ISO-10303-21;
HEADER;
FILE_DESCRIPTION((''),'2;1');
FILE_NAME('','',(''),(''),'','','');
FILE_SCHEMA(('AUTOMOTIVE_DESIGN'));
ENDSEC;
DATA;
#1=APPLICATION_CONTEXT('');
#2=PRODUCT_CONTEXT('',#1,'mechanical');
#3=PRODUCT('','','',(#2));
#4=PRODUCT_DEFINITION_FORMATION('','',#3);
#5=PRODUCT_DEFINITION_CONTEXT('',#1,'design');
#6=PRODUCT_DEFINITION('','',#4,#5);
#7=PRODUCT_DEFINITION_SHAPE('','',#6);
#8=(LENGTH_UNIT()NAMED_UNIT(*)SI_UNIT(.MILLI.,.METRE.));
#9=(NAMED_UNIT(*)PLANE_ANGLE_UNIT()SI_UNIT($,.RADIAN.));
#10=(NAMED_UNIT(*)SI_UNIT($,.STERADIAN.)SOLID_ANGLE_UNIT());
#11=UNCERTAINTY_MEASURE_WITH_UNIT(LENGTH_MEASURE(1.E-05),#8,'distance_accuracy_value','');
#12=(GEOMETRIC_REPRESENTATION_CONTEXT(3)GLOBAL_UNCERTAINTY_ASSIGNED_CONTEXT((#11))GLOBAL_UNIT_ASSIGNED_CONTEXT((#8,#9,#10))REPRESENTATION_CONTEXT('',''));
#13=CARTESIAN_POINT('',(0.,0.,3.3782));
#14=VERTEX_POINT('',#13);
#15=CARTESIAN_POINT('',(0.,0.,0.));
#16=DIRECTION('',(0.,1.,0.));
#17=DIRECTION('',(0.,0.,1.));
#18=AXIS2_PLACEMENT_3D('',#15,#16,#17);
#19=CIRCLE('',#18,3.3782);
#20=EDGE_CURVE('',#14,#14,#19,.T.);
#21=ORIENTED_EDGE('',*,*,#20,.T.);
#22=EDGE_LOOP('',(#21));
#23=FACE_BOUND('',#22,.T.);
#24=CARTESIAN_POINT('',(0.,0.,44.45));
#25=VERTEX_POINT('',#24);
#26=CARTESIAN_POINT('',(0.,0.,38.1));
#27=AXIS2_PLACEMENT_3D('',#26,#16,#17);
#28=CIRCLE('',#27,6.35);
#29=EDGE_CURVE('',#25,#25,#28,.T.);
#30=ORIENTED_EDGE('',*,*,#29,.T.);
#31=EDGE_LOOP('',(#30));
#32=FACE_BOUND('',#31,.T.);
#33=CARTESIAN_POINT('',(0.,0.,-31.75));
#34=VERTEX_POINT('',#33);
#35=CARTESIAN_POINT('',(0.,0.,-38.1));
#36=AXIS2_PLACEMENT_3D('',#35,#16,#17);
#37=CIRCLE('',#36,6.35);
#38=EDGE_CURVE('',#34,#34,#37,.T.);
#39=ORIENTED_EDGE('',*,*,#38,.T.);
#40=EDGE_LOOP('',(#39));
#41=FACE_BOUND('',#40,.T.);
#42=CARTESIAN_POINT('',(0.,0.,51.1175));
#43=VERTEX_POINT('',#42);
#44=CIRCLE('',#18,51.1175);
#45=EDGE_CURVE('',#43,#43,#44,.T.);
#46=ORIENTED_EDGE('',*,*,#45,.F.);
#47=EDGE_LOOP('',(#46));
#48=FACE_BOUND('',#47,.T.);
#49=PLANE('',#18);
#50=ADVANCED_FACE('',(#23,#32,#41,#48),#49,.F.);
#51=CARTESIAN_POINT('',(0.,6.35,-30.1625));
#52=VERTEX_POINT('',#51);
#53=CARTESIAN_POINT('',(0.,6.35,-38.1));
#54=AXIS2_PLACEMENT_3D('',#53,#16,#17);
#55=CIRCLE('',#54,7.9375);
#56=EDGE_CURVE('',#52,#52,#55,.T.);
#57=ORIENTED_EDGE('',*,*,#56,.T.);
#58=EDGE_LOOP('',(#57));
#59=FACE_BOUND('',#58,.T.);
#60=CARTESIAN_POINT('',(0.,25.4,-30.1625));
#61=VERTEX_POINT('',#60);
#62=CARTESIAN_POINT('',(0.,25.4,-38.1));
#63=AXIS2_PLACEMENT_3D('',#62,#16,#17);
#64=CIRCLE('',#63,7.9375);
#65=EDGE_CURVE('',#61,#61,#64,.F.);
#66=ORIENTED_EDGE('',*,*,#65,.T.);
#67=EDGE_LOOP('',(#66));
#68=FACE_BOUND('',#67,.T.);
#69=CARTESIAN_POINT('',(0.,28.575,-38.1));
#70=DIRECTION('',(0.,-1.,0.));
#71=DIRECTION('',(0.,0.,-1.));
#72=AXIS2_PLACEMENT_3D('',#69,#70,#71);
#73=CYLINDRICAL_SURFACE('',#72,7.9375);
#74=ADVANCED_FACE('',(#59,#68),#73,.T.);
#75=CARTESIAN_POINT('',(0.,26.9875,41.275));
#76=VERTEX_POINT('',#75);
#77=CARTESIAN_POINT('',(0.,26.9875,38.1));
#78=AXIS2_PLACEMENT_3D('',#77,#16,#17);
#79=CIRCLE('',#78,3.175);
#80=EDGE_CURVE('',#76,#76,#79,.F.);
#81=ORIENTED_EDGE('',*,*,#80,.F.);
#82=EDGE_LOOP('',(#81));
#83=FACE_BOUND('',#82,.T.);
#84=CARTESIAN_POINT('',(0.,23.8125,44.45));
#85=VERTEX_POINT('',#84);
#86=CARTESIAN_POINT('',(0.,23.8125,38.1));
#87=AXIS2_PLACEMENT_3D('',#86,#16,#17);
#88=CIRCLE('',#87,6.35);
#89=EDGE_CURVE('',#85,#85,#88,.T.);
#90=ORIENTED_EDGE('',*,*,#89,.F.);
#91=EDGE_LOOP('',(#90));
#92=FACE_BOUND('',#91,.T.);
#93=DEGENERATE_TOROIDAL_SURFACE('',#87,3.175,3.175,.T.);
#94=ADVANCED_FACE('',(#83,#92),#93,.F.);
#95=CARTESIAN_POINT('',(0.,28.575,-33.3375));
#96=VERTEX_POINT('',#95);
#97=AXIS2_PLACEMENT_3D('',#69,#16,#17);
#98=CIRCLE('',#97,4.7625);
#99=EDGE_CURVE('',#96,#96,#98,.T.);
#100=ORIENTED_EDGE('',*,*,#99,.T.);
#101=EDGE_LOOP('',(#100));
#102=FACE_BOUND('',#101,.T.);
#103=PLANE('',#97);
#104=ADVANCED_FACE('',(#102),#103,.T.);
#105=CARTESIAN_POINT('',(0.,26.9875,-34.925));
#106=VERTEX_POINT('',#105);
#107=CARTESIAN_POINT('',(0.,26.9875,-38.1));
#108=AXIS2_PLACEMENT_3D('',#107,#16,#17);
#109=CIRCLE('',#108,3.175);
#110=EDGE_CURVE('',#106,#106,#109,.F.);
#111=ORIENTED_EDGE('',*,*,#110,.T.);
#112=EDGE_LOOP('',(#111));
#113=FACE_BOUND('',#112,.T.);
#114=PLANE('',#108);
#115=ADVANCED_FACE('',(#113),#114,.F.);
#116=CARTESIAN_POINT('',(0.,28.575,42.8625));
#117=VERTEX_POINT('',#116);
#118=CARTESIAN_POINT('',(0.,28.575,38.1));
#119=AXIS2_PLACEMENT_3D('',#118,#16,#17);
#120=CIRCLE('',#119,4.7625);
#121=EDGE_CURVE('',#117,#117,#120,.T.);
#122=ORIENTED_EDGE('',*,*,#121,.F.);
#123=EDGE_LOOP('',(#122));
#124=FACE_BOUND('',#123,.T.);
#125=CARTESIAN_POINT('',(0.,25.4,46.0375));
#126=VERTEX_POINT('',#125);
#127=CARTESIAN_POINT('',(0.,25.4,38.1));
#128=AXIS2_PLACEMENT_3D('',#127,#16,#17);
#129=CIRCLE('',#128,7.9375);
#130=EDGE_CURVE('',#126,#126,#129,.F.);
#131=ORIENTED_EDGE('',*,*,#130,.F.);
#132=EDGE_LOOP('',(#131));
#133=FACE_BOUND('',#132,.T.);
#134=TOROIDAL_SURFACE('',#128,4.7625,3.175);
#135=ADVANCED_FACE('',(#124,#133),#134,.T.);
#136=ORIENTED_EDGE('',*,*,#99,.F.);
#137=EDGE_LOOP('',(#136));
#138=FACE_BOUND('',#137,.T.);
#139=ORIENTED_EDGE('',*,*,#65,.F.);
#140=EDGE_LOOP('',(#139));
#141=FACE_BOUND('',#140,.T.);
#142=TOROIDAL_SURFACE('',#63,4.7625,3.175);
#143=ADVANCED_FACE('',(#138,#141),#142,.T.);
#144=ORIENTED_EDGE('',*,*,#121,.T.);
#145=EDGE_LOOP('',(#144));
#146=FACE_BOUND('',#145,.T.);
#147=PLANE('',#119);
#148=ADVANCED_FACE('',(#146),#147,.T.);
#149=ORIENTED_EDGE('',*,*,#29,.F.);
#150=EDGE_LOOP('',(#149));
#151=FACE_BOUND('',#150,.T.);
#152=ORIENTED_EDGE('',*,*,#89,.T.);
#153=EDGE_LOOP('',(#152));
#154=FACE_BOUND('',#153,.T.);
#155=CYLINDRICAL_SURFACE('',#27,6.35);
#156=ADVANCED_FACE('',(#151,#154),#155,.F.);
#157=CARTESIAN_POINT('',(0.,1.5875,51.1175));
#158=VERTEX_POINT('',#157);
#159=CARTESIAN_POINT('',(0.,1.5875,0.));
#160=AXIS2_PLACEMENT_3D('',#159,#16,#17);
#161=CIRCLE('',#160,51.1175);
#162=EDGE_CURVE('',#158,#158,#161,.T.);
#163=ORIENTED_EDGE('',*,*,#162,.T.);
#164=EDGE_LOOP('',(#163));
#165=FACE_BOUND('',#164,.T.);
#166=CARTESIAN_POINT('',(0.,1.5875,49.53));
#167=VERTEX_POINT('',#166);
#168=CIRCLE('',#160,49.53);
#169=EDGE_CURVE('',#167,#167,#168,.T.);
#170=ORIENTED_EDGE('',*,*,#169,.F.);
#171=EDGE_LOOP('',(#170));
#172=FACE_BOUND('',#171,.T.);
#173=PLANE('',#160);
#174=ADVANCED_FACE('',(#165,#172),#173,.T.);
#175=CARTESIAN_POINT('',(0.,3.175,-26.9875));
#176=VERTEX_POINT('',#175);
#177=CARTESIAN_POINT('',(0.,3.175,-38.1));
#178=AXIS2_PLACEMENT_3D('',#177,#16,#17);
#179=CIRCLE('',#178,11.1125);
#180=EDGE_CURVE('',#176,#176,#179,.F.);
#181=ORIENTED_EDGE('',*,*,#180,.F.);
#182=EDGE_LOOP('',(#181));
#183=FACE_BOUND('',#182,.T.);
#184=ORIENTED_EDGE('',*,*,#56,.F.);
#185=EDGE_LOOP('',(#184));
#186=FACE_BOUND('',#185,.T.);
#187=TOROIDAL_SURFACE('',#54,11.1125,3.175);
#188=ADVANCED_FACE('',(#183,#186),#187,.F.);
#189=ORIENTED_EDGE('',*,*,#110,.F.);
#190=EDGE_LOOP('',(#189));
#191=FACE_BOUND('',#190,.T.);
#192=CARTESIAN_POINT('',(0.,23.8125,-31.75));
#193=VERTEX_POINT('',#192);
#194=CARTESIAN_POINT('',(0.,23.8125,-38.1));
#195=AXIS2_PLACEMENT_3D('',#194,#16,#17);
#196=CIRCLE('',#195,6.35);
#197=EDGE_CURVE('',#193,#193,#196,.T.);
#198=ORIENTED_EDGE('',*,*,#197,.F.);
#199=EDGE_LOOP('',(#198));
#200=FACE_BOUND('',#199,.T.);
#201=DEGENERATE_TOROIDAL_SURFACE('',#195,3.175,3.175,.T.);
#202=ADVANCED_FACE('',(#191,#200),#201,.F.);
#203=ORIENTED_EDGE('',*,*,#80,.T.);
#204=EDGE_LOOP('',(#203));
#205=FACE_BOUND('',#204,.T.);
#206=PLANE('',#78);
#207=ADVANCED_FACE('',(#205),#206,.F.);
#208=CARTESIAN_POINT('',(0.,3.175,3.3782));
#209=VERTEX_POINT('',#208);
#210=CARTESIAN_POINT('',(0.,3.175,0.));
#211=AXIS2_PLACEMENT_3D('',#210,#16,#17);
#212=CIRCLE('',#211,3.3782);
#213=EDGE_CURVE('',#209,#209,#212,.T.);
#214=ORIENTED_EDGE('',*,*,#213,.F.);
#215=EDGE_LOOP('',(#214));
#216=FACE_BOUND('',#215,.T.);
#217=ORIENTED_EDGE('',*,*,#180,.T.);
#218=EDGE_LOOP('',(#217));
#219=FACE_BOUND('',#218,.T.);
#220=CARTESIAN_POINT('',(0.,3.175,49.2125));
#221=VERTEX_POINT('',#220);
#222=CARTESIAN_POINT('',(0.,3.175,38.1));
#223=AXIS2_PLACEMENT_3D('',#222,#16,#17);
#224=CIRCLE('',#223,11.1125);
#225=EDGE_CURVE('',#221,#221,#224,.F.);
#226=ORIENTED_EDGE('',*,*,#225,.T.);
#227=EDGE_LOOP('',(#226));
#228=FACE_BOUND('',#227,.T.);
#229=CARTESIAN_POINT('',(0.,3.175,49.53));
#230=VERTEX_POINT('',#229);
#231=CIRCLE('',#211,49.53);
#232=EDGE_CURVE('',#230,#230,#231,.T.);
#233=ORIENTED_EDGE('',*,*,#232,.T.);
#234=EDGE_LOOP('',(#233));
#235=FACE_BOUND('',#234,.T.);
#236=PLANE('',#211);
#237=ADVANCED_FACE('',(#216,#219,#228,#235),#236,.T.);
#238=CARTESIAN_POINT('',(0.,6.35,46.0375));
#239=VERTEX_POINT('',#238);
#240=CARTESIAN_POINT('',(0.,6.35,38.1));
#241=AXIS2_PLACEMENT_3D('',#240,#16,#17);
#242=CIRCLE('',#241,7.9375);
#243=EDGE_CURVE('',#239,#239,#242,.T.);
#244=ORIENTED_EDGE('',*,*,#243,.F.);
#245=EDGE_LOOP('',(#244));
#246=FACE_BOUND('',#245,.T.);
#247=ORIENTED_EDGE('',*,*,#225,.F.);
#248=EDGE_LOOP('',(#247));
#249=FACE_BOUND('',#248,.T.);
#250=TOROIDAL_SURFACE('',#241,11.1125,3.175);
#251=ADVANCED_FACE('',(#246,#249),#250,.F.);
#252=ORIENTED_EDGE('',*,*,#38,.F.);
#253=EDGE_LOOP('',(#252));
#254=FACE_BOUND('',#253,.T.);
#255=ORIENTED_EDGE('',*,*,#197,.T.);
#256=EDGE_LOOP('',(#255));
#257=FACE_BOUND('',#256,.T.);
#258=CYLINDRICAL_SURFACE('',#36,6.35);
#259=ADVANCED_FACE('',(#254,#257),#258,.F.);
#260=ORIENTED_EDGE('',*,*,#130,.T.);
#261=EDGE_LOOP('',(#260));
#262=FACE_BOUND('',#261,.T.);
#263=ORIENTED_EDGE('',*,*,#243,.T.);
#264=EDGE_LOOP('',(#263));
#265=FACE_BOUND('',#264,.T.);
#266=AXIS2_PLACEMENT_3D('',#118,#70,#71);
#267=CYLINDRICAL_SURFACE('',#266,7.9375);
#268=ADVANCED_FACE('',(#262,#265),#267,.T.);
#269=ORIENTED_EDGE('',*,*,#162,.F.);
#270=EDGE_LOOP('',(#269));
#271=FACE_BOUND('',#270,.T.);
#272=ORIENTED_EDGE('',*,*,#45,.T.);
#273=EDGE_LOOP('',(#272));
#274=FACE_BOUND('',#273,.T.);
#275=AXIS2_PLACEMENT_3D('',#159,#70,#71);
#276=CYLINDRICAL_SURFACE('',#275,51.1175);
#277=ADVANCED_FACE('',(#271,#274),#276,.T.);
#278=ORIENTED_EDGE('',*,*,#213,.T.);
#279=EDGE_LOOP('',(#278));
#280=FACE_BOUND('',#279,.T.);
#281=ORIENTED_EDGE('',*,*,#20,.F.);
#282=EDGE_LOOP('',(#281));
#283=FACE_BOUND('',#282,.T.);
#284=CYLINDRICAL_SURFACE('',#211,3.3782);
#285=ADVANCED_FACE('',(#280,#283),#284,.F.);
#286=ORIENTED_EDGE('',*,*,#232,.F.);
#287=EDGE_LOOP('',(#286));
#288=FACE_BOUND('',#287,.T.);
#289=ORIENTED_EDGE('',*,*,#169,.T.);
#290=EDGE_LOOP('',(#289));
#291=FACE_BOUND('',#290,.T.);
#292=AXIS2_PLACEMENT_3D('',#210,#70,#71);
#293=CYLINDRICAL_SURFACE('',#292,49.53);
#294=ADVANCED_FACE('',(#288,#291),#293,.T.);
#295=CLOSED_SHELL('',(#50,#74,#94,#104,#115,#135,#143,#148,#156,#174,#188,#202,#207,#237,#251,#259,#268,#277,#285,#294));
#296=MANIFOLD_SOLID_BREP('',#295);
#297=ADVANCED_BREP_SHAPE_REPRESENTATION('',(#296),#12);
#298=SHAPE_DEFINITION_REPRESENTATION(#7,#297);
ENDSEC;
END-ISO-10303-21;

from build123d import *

# Parameters (mm, degrees)
SKETCH1_R                   = 51.1175
BOSS_EXTRUDE1_DEPTH         = 1.5875
SKETCH2_R                   = 49.53
BOSS_EXTRUDE2_DEPTH         = 1.5875
F_1_4_CLEARANCE_HOLE1_D     = 6.7564
F_1_4_CLEARANCE_HOLE1_DEPTH = 25.4
F_1_4_CLEARANCE_HOLE1_TIP   = 2.029827343
SKETCH8_R                   = 7.9375
BOSS_EXTRUDE4_DEPTH         = 25.4
CUT_EXTRUDE2_START          = -1.5875
SKETCH11_R                  = 6.35
CUT_EXTRUDE2_DEPTH          = 77.146200784
FILLET1_R                   = 3.175


with BuildPart() as part:
    # Sketch1 → Boss-Extrude1 (new body)
    with BuildSketch(Plane(origin=(0, 0, 0), x_dir=(1, 0, 0), z_dir=(0, 1, 0))):
        with Locations(Location((0, 0, 0), (0, 0, 270))):
            Circle(SKETCH1_R)
    extrude(amount=BOSS_EXTRUDE1_DEPTH)

    # Sketch2 → Boss-Extrude2 (add)
    with BuildSketch(Plane(origin=(0, 1.5875, 0), x_dir=(1, 0, 0), z_dir=(0, 1, 0))):
        with Locations(Location((0, 0, 0), (0, 0, 270))):
            Circle(SKETCH2_R)
    extrude(amount=BOSS_EXTRUDE2_DEPTH)

    # 1/4 Clearance Hole1
    with Locations(Plane(origin=(0, 3.175, 0), x_dir=(1, 0, 0), z_dir=(0, 1, 0))):
        with Locations((0, 0)):
            Hole(F_1_4_CLEARANCE_HOLE1_D / 2, depth=F_1_4_CLEARANCE_HOLE1_DEPTH)
            with Locations((0, 0, -(F_1_4_CLEARANCE_HOLE1_DEPTH + F_1_4_CLEARANCE_HOLE1_TIP / 2))):  # 118° drill point
                Cone(0, F_1_4_CLEARANCE_HOLE1_D / 2, F_1_4_CLEARANCE_HOLE1_TIP, mode=Mode.SUBTRACT)

    # Sketch8 → Boss-Extrude4 (add)
    with BuildSketch(Plane(origin=(0, 3.175, 0), x_dir=(1, 0, 0), z_dir=(0, 1, 0))):
        with Locations(Location((0, 38.1, 0), (0, 0, 270))):
            Circle(SKETCH8_R)
        with Locations(Location((0, -38.1, 0), (0, 0, 270))):
            Circle(SKETCH8_R)
    extrude(amount=BOSS_EXTRUDE4_DEPTH)

    # Sketch11 → Cut-Extrude2 (cut, through all)
    with BuildSketch(Plane(origin=(0, 28.575, 0), x_dir=(1, 0, 0), z_dir=(0, 1, 0)).offset(CUT_EXTRUDE2_START)):
        with Locations(Location((0, -38.1, 0), (0, 0, 270))):
            Circle(SKETCH11_R)
        with Locations(Location((0, 38.1, 0), (0, 0, 270))):
            Circle(SKETCH11_R)
    extrude(amount=-CUT_EXTRUDE2_DEPTH, mode=Mode.SUBTRACT)

    # Fillet1
    fillet1_edges = [part.edges().sort_by_distance(p)[0] for p in [
        (0, 3.175, -46.0375),
        (0, 28.575, -46.0375),
        (0, 3.175, 30.1625),
        (0, 28.575, 30.1625),
        (0, 26.9875, 31.75),
        (0, 26.9875, -44.45),
    ]]
    fillet(fillet1_edges, radius=FILLET1_R)


solid = part.part
